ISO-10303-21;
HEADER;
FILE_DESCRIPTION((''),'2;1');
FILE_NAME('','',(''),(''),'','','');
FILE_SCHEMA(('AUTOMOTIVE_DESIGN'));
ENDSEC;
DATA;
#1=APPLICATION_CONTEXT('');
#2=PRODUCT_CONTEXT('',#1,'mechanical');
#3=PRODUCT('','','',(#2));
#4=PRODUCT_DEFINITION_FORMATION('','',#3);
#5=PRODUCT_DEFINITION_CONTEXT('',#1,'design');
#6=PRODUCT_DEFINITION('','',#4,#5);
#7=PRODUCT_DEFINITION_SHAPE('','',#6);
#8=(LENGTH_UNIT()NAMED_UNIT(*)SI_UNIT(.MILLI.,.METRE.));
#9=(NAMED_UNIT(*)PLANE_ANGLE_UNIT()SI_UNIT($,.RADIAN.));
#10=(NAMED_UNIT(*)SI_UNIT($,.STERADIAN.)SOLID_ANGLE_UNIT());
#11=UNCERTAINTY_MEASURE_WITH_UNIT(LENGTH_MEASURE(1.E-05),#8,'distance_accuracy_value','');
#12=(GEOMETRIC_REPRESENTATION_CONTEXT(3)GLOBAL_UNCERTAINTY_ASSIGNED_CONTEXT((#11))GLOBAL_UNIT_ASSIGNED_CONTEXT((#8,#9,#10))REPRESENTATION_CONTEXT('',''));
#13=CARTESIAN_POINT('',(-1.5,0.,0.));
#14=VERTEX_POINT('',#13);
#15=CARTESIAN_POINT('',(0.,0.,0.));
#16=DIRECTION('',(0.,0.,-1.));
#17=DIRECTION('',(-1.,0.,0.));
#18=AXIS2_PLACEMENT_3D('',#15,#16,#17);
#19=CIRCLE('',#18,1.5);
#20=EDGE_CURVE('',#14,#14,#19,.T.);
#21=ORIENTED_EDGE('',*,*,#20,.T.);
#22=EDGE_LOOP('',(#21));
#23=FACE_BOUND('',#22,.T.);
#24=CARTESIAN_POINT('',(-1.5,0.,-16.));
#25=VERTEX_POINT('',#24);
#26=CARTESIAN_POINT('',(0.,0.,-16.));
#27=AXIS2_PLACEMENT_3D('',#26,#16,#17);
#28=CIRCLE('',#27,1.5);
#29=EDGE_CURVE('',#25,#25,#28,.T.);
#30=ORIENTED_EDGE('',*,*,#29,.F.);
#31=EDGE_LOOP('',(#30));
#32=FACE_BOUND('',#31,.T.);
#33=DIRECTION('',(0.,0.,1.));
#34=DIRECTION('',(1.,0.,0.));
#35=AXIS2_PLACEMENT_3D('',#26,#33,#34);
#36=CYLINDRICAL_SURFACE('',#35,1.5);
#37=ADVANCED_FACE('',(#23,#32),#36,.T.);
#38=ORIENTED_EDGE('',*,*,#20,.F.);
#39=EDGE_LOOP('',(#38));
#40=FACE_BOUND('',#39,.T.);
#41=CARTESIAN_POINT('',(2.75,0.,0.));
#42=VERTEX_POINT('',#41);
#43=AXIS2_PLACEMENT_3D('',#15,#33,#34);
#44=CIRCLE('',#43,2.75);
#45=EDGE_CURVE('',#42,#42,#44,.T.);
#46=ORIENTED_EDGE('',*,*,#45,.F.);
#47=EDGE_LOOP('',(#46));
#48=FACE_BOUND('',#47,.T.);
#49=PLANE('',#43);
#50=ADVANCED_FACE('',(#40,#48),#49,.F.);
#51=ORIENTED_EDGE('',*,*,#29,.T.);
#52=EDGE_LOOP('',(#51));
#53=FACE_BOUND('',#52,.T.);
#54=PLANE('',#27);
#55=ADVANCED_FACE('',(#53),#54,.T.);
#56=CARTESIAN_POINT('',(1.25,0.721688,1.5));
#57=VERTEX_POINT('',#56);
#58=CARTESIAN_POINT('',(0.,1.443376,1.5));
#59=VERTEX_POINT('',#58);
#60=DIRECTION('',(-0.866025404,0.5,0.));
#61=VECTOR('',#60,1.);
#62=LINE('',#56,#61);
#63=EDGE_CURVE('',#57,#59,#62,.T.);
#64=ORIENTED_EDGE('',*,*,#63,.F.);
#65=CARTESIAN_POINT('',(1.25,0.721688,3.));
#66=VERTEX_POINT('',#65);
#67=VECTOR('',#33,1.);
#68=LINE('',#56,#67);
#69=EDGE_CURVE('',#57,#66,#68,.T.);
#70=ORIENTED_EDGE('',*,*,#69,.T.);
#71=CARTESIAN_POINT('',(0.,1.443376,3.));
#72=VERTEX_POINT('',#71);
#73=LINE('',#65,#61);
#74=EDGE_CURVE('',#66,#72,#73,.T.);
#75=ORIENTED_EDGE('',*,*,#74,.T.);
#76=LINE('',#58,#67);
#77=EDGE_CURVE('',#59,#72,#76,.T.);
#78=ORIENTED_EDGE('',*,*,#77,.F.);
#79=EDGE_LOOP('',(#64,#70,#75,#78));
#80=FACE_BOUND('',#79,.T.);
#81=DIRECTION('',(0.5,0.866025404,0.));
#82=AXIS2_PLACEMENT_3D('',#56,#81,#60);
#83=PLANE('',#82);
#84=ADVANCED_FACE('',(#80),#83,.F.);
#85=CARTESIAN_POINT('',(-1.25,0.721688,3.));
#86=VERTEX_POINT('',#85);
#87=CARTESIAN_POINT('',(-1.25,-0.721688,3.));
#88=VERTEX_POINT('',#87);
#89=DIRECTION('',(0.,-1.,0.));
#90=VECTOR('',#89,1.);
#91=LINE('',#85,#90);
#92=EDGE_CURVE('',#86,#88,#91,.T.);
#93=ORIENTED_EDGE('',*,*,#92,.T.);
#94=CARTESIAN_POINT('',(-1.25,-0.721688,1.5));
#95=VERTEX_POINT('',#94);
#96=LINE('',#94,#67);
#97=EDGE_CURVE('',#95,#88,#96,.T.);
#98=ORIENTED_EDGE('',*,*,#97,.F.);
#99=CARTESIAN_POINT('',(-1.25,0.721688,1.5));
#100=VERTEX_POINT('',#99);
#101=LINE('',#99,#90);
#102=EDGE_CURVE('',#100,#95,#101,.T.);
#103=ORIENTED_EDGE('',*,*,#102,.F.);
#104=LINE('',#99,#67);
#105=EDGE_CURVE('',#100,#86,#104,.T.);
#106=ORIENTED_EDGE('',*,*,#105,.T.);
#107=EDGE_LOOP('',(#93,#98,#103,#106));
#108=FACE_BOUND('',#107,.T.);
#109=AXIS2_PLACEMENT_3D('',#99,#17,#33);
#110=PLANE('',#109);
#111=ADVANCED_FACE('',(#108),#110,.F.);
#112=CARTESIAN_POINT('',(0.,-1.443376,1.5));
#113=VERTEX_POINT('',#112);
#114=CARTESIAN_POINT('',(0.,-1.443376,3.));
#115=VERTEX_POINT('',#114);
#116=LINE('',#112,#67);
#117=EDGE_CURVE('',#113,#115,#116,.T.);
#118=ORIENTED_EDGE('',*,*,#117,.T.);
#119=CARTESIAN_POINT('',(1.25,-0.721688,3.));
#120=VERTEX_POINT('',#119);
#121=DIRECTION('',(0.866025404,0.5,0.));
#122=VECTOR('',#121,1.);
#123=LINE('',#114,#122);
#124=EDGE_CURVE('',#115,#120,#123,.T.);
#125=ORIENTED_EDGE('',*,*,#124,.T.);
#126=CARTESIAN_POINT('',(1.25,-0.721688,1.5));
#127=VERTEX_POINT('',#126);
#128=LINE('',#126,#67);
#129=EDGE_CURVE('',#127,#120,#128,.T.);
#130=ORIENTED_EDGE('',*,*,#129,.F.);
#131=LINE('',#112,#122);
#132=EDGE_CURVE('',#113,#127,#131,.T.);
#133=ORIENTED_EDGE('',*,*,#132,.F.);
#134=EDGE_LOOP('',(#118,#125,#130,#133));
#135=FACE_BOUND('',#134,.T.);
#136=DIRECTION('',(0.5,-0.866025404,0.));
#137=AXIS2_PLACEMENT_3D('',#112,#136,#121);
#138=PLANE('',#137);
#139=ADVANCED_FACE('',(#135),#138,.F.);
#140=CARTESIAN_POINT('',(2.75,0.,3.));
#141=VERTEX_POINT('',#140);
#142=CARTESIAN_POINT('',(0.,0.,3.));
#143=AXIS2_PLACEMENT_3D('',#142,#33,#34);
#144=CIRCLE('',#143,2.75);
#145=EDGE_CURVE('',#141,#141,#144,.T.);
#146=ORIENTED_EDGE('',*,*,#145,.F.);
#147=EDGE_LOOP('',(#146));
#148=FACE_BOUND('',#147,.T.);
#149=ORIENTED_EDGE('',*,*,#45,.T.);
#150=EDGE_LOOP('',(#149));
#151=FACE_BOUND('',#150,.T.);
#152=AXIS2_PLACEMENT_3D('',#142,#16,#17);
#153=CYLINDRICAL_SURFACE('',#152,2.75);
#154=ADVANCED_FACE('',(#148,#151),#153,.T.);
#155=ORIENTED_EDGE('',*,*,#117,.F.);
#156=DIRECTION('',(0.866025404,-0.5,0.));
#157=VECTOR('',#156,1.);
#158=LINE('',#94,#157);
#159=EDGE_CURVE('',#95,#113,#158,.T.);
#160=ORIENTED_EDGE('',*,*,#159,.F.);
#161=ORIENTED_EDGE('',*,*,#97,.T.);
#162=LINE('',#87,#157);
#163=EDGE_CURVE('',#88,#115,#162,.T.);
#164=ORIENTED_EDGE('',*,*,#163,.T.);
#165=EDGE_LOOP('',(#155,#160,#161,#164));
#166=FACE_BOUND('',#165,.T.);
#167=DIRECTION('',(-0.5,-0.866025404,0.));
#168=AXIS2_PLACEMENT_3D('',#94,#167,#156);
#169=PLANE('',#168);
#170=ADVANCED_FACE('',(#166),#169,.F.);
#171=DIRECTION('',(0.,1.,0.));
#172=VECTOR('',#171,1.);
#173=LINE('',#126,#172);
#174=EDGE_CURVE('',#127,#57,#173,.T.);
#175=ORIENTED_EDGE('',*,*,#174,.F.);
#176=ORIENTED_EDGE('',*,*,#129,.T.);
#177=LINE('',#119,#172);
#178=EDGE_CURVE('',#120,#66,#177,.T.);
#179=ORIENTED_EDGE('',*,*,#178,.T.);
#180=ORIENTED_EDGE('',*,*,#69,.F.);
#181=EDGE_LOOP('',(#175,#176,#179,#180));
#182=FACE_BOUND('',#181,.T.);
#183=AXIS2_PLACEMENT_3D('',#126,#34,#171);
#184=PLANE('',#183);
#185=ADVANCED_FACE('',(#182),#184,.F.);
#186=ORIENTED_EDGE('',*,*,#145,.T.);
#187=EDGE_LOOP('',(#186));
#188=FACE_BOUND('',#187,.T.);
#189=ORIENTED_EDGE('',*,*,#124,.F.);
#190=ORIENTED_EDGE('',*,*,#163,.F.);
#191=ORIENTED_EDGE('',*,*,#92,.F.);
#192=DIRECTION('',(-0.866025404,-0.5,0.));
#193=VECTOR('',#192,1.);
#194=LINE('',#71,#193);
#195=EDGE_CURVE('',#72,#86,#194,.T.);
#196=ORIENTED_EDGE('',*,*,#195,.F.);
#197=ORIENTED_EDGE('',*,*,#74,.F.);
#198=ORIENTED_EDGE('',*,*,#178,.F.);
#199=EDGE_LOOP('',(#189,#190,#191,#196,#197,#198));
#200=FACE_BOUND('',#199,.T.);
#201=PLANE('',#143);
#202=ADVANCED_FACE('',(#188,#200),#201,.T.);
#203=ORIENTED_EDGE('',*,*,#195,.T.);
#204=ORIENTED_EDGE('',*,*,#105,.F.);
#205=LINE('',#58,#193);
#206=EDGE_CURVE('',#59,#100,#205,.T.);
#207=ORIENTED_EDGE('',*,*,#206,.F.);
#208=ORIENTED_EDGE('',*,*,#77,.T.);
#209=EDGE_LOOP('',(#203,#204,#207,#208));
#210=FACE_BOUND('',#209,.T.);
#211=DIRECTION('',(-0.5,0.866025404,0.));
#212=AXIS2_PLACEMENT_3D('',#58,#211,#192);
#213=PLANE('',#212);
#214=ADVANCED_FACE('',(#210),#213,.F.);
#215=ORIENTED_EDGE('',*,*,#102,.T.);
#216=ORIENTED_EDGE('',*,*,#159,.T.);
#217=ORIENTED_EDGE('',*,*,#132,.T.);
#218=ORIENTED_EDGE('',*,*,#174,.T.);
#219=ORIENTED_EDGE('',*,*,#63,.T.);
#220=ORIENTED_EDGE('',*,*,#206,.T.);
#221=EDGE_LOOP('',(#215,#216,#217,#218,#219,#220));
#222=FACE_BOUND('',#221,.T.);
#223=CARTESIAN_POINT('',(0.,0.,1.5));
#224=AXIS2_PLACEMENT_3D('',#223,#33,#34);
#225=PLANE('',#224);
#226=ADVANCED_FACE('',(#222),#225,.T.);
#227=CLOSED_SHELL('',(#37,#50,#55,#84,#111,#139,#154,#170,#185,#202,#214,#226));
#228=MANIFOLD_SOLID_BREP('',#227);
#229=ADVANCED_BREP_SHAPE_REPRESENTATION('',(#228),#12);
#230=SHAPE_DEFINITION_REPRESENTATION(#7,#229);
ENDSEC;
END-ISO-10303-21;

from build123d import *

# Parameters (mm, degrees)
SKETCH_1_R          = 2.75
EXTRUDE_1_DEPTH     = 3
CUT_EXTRUDE_1_DEPTH = 1.5
SKETCH_3_R          = 1.5
EXTRUDE_2_DEPTH     = 16


with BuildPart() as part:
    # 草图1 → 凸台-拉伸1 (new body)
    with BuildSketch(Plane.XY):
        Circle(SKETCH_1_R)
    extrude(amount=EXTRUDE_1_DEPTH)

    # 草图2 → 切除-拉伸1 (cut)
    with BuildSketch(Plane.XY.offset(3)):
        Polygon((0, -1.443375673), (1.25, -0.721687836), (1.25, 0.721687836), (0, 1.443375673), (-1.25, 0.721687836), (-1.25, -0.721687836), align=None)
    extrude(amount=-CUT_EXTRUDE_1_DEPTH, mode=Mode.SUBTRACT)

    # 草图3 → 凸台-拉伸2 (add)
    with BuildSketch(Plane(origin=(0, 0, 0), x_dir=(-1, 0, 0), z_dir=(0, 0, -1))):
        Circle(SKETCH_3_R)
    extrude(amount=EXTRUDE_2_DEPTH)


solid = part.part
